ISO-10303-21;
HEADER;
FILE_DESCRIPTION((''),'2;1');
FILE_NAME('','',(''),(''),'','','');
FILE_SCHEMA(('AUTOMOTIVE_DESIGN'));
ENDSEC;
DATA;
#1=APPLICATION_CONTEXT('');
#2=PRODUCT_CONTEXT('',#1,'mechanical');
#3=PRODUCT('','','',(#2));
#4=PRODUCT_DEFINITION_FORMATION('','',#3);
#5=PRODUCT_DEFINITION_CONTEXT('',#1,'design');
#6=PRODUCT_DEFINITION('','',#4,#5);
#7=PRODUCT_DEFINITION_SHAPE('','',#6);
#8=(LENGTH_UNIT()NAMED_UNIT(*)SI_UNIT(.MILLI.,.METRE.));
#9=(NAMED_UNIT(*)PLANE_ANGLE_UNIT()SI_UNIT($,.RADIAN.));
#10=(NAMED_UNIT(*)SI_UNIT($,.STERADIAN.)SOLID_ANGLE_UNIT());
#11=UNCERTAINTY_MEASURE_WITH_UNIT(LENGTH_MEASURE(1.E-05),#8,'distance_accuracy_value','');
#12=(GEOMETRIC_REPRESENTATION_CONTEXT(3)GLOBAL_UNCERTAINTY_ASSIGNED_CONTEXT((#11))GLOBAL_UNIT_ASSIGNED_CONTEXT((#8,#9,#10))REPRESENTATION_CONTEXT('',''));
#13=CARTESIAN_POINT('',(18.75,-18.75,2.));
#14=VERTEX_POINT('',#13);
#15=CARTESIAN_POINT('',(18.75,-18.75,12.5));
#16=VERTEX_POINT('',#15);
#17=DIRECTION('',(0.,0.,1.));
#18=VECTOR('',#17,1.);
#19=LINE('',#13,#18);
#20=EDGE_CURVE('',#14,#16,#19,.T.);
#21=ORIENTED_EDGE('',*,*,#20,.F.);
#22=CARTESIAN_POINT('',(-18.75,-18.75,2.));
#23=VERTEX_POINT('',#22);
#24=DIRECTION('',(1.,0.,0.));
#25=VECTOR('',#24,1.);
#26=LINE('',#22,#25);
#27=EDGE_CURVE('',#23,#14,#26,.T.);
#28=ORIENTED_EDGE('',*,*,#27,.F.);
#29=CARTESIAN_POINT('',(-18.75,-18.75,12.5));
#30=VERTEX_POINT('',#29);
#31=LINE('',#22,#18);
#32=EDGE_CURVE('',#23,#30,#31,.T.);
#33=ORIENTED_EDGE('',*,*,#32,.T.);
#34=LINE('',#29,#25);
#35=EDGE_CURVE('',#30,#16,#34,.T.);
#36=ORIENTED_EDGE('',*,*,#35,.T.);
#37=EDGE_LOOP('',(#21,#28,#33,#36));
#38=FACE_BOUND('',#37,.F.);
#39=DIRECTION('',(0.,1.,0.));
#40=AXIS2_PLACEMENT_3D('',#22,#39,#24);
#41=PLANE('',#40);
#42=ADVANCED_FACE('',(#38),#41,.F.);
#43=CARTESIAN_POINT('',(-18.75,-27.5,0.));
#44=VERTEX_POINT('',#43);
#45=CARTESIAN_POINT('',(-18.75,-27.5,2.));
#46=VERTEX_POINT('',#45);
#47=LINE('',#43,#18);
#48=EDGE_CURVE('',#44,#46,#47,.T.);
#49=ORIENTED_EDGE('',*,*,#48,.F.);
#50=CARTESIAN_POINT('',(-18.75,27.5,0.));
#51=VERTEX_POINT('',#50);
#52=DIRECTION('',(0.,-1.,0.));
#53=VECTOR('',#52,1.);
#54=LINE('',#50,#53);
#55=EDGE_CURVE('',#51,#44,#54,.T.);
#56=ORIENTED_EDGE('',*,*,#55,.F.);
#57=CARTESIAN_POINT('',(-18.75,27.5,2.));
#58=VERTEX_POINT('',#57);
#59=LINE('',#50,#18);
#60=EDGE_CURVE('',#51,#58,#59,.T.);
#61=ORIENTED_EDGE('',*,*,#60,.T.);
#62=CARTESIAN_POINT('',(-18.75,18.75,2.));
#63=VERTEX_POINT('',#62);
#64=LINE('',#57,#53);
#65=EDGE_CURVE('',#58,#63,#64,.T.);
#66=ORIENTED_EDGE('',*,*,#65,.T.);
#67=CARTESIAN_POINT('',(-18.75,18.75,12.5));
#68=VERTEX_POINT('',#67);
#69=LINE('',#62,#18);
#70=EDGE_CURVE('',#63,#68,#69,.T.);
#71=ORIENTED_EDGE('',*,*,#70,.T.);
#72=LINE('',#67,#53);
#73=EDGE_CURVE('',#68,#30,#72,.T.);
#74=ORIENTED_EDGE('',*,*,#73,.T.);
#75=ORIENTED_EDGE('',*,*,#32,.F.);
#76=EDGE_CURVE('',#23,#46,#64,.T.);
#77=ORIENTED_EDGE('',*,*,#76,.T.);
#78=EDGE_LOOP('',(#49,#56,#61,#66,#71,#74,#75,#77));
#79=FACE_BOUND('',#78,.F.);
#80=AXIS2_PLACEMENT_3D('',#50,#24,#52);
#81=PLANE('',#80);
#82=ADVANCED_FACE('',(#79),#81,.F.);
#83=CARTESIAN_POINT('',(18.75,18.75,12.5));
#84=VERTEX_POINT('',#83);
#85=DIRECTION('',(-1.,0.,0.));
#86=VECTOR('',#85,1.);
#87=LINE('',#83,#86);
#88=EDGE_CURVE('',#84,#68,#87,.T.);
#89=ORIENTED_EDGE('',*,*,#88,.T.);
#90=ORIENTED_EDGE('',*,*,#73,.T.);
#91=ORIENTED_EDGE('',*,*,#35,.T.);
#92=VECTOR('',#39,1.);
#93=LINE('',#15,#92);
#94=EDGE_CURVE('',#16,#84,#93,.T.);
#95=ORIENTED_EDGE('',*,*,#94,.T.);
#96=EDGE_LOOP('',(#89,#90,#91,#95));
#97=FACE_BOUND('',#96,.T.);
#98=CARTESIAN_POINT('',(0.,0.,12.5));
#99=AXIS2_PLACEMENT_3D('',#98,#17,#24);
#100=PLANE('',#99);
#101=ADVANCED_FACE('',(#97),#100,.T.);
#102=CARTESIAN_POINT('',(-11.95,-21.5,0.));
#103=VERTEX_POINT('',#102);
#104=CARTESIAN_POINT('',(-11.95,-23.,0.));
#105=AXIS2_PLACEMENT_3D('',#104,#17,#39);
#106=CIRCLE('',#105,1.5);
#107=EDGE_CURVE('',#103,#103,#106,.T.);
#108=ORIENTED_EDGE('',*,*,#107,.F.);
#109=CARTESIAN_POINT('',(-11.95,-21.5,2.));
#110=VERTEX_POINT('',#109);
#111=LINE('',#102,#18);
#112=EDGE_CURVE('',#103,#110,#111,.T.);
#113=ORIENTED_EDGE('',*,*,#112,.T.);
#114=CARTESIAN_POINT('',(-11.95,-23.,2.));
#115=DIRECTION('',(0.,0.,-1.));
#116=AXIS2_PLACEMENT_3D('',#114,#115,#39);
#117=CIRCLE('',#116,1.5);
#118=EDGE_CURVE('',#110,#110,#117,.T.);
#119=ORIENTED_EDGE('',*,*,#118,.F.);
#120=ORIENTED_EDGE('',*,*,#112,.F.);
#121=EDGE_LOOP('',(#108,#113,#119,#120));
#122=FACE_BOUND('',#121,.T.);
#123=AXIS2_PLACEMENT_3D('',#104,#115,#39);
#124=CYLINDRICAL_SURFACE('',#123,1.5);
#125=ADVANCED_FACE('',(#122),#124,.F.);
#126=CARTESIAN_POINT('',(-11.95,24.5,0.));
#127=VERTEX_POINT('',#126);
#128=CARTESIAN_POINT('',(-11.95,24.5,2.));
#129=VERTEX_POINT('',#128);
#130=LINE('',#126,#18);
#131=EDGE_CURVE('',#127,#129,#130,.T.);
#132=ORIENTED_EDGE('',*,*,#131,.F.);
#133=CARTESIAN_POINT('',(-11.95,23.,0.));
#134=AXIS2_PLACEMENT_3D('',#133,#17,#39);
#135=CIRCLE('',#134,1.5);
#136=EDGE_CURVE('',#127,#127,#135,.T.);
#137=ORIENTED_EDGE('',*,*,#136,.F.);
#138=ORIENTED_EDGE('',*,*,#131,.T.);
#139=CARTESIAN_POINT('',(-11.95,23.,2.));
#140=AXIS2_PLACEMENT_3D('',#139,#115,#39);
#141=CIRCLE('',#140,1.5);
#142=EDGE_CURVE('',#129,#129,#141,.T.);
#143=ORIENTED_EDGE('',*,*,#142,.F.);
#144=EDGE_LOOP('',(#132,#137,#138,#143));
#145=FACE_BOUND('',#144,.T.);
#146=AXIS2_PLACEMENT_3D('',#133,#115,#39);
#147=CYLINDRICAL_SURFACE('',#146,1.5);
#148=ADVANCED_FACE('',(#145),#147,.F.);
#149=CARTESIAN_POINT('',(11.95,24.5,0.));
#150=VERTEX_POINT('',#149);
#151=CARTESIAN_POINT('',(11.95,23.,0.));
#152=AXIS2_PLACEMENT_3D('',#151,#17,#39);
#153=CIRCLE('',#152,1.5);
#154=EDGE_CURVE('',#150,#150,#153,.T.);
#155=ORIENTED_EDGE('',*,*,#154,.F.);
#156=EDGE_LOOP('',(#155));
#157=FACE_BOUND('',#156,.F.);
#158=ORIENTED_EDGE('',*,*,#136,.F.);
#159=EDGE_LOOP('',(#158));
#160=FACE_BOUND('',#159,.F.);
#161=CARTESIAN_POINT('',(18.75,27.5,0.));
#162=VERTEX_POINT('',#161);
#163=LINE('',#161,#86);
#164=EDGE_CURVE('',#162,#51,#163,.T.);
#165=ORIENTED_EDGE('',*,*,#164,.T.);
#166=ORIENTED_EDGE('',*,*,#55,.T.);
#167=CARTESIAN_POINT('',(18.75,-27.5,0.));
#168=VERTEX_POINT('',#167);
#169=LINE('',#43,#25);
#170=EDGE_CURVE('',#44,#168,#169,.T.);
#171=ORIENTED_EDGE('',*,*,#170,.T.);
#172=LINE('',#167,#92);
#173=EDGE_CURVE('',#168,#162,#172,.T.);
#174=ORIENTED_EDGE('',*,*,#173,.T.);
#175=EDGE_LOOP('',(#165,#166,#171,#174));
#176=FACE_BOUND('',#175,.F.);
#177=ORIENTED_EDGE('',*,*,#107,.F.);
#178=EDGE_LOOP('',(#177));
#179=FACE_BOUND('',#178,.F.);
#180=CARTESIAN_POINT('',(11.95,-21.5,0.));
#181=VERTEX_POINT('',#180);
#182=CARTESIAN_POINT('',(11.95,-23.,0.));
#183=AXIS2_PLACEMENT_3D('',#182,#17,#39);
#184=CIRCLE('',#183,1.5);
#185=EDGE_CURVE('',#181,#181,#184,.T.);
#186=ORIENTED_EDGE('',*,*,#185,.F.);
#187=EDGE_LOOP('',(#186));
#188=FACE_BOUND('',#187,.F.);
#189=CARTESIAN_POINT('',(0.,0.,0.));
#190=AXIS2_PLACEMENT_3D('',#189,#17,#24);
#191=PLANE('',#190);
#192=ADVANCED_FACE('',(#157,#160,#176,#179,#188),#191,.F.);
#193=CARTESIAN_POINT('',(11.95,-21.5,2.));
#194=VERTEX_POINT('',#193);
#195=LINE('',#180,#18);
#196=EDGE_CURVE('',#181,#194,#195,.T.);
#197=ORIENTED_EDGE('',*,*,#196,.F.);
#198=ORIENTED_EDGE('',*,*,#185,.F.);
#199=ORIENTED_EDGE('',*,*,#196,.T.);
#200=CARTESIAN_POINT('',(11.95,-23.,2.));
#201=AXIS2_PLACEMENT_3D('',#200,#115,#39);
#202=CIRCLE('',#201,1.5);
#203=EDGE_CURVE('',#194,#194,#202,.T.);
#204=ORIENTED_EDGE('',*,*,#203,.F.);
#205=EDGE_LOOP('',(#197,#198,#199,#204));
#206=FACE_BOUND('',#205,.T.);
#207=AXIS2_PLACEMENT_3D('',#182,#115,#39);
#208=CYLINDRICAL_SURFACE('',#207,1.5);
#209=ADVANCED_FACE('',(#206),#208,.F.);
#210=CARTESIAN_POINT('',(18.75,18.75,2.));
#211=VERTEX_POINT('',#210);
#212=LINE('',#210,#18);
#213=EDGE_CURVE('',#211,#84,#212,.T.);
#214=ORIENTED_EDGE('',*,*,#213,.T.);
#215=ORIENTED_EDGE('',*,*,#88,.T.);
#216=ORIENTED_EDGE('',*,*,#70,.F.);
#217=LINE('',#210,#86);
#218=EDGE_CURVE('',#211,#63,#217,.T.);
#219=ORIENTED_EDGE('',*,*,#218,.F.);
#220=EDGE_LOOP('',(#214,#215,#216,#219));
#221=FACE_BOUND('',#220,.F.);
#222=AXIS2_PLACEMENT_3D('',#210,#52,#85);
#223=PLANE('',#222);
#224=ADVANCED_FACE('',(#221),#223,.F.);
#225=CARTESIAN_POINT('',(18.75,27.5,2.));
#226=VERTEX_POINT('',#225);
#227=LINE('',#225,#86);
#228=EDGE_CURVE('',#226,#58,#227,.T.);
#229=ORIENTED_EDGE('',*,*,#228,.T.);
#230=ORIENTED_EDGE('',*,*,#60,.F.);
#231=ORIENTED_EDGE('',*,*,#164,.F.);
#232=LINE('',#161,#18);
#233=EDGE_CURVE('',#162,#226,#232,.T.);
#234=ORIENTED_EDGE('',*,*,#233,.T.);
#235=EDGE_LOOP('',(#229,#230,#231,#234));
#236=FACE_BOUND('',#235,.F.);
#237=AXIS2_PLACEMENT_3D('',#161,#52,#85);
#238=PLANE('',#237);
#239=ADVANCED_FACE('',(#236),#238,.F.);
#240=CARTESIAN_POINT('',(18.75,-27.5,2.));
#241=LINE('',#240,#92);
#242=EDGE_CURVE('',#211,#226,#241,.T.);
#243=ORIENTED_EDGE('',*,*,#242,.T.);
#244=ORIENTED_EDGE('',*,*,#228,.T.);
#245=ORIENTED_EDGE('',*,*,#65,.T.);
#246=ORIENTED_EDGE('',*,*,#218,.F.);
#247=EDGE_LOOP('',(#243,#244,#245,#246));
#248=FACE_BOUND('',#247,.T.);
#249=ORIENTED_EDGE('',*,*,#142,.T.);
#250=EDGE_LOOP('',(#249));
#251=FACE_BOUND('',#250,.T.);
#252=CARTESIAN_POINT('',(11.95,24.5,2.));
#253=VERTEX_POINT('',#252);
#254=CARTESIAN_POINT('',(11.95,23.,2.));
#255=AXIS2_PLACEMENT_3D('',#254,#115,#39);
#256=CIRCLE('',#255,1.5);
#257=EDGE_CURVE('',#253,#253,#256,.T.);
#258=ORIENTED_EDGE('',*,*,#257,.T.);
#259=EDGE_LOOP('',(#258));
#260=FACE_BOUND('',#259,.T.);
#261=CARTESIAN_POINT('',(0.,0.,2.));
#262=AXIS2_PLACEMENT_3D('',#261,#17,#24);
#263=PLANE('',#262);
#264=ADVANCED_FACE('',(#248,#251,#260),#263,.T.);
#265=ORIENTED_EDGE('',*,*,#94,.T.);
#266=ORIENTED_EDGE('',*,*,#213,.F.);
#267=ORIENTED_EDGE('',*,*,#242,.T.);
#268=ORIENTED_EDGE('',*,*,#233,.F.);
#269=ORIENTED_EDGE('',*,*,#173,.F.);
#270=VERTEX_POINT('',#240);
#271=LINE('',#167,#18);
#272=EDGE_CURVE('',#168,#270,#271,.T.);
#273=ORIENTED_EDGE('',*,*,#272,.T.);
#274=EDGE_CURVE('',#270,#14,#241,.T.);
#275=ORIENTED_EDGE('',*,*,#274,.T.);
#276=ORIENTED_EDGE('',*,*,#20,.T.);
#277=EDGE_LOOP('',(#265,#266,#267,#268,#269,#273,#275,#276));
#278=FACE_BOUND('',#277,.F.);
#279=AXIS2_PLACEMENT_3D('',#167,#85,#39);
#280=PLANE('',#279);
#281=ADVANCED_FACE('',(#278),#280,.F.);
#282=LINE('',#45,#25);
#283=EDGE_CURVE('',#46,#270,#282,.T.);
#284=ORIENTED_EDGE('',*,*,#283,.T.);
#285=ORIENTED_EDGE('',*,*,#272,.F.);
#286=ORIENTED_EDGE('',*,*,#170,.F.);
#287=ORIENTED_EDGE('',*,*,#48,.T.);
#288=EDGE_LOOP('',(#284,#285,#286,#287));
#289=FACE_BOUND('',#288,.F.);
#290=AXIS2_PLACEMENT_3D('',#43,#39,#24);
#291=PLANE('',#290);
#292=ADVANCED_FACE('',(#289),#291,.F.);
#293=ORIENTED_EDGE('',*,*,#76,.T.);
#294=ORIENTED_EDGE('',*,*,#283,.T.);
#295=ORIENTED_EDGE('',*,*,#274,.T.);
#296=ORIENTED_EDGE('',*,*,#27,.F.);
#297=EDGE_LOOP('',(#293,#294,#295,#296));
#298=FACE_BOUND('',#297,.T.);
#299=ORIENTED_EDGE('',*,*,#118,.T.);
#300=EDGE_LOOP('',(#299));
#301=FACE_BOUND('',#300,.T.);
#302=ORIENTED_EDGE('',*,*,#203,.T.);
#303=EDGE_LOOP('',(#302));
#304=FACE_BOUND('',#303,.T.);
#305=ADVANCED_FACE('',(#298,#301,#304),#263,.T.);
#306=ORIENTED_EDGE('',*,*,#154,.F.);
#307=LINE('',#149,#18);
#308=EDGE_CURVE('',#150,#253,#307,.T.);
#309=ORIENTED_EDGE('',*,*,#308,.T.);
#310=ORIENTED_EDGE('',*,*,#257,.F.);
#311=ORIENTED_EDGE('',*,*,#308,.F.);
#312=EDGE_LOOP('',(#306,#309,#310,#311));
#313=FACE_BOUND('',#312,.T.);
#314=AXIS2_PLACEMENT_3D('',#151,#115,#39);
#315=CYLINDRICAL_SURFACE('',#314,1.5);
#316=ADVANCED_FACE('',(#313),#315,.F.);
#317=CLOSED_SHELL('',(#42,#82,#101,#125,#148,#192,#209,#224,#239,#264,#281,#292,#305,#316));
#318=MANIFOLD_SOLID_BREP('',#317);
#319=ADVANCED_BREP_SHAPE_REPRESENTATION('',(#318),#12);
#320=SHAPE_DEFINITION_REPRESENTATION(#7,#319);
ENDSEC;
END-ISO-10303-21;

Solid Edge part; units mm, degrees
sketch "Sketch1" plane through (0, 0, 0) normal (0, 0, 1) x (1, 0, 0)
  line L0 (-18.75, -27.5) -> (18.75, -27.5)
  line L1 (18.75, -27.5) -> (18.75, 27.5)
  line L2 (18.75, 27.5) -> (-18.75, 27.5)
  line L3 (-18.75, 27.5) -> (-18.75, -27.5)
  dimension "D1" = 55
  dimension "D2" = 37.5
extrude "Protrusion1" add sketch "Sketch1" along normal blind 2
sketch "Sketch2" plane through (0, 0, 2) normal (0, 0, 1) x (1, 0, 0)
  line L0 (-18.75, -18.75) -> (18.75, -18.75)
  line L1 (18.75, -18.75) -> (18.75, 18.75)
  line L2 (18.75, 18.75) -> (-18.75, 18.75)
  line L3 (-18.75, 18.75) -> (-18.75, -18.75)
  dimension "D1" = 37.5
extrude "Extrusionsausprägung_2" add sketch "Sketch2" along normal blind 10.5
hole "Bohrung_1" at (-11.95, 23, 0) direction (0, 0, 1) diameter 3 end up to next
hole "Hole1" at (-11.95, -23, 0) direction (0, 0, 1) diameter 3 end up to next
hole "Hole2" at (11.95, -23, 0) direction (0, 0, 1) diameter 3 end up to next
hole "Hole3" at (11.95, 23, 0) direction (0, 0, 1) diameter 3 end up to next
